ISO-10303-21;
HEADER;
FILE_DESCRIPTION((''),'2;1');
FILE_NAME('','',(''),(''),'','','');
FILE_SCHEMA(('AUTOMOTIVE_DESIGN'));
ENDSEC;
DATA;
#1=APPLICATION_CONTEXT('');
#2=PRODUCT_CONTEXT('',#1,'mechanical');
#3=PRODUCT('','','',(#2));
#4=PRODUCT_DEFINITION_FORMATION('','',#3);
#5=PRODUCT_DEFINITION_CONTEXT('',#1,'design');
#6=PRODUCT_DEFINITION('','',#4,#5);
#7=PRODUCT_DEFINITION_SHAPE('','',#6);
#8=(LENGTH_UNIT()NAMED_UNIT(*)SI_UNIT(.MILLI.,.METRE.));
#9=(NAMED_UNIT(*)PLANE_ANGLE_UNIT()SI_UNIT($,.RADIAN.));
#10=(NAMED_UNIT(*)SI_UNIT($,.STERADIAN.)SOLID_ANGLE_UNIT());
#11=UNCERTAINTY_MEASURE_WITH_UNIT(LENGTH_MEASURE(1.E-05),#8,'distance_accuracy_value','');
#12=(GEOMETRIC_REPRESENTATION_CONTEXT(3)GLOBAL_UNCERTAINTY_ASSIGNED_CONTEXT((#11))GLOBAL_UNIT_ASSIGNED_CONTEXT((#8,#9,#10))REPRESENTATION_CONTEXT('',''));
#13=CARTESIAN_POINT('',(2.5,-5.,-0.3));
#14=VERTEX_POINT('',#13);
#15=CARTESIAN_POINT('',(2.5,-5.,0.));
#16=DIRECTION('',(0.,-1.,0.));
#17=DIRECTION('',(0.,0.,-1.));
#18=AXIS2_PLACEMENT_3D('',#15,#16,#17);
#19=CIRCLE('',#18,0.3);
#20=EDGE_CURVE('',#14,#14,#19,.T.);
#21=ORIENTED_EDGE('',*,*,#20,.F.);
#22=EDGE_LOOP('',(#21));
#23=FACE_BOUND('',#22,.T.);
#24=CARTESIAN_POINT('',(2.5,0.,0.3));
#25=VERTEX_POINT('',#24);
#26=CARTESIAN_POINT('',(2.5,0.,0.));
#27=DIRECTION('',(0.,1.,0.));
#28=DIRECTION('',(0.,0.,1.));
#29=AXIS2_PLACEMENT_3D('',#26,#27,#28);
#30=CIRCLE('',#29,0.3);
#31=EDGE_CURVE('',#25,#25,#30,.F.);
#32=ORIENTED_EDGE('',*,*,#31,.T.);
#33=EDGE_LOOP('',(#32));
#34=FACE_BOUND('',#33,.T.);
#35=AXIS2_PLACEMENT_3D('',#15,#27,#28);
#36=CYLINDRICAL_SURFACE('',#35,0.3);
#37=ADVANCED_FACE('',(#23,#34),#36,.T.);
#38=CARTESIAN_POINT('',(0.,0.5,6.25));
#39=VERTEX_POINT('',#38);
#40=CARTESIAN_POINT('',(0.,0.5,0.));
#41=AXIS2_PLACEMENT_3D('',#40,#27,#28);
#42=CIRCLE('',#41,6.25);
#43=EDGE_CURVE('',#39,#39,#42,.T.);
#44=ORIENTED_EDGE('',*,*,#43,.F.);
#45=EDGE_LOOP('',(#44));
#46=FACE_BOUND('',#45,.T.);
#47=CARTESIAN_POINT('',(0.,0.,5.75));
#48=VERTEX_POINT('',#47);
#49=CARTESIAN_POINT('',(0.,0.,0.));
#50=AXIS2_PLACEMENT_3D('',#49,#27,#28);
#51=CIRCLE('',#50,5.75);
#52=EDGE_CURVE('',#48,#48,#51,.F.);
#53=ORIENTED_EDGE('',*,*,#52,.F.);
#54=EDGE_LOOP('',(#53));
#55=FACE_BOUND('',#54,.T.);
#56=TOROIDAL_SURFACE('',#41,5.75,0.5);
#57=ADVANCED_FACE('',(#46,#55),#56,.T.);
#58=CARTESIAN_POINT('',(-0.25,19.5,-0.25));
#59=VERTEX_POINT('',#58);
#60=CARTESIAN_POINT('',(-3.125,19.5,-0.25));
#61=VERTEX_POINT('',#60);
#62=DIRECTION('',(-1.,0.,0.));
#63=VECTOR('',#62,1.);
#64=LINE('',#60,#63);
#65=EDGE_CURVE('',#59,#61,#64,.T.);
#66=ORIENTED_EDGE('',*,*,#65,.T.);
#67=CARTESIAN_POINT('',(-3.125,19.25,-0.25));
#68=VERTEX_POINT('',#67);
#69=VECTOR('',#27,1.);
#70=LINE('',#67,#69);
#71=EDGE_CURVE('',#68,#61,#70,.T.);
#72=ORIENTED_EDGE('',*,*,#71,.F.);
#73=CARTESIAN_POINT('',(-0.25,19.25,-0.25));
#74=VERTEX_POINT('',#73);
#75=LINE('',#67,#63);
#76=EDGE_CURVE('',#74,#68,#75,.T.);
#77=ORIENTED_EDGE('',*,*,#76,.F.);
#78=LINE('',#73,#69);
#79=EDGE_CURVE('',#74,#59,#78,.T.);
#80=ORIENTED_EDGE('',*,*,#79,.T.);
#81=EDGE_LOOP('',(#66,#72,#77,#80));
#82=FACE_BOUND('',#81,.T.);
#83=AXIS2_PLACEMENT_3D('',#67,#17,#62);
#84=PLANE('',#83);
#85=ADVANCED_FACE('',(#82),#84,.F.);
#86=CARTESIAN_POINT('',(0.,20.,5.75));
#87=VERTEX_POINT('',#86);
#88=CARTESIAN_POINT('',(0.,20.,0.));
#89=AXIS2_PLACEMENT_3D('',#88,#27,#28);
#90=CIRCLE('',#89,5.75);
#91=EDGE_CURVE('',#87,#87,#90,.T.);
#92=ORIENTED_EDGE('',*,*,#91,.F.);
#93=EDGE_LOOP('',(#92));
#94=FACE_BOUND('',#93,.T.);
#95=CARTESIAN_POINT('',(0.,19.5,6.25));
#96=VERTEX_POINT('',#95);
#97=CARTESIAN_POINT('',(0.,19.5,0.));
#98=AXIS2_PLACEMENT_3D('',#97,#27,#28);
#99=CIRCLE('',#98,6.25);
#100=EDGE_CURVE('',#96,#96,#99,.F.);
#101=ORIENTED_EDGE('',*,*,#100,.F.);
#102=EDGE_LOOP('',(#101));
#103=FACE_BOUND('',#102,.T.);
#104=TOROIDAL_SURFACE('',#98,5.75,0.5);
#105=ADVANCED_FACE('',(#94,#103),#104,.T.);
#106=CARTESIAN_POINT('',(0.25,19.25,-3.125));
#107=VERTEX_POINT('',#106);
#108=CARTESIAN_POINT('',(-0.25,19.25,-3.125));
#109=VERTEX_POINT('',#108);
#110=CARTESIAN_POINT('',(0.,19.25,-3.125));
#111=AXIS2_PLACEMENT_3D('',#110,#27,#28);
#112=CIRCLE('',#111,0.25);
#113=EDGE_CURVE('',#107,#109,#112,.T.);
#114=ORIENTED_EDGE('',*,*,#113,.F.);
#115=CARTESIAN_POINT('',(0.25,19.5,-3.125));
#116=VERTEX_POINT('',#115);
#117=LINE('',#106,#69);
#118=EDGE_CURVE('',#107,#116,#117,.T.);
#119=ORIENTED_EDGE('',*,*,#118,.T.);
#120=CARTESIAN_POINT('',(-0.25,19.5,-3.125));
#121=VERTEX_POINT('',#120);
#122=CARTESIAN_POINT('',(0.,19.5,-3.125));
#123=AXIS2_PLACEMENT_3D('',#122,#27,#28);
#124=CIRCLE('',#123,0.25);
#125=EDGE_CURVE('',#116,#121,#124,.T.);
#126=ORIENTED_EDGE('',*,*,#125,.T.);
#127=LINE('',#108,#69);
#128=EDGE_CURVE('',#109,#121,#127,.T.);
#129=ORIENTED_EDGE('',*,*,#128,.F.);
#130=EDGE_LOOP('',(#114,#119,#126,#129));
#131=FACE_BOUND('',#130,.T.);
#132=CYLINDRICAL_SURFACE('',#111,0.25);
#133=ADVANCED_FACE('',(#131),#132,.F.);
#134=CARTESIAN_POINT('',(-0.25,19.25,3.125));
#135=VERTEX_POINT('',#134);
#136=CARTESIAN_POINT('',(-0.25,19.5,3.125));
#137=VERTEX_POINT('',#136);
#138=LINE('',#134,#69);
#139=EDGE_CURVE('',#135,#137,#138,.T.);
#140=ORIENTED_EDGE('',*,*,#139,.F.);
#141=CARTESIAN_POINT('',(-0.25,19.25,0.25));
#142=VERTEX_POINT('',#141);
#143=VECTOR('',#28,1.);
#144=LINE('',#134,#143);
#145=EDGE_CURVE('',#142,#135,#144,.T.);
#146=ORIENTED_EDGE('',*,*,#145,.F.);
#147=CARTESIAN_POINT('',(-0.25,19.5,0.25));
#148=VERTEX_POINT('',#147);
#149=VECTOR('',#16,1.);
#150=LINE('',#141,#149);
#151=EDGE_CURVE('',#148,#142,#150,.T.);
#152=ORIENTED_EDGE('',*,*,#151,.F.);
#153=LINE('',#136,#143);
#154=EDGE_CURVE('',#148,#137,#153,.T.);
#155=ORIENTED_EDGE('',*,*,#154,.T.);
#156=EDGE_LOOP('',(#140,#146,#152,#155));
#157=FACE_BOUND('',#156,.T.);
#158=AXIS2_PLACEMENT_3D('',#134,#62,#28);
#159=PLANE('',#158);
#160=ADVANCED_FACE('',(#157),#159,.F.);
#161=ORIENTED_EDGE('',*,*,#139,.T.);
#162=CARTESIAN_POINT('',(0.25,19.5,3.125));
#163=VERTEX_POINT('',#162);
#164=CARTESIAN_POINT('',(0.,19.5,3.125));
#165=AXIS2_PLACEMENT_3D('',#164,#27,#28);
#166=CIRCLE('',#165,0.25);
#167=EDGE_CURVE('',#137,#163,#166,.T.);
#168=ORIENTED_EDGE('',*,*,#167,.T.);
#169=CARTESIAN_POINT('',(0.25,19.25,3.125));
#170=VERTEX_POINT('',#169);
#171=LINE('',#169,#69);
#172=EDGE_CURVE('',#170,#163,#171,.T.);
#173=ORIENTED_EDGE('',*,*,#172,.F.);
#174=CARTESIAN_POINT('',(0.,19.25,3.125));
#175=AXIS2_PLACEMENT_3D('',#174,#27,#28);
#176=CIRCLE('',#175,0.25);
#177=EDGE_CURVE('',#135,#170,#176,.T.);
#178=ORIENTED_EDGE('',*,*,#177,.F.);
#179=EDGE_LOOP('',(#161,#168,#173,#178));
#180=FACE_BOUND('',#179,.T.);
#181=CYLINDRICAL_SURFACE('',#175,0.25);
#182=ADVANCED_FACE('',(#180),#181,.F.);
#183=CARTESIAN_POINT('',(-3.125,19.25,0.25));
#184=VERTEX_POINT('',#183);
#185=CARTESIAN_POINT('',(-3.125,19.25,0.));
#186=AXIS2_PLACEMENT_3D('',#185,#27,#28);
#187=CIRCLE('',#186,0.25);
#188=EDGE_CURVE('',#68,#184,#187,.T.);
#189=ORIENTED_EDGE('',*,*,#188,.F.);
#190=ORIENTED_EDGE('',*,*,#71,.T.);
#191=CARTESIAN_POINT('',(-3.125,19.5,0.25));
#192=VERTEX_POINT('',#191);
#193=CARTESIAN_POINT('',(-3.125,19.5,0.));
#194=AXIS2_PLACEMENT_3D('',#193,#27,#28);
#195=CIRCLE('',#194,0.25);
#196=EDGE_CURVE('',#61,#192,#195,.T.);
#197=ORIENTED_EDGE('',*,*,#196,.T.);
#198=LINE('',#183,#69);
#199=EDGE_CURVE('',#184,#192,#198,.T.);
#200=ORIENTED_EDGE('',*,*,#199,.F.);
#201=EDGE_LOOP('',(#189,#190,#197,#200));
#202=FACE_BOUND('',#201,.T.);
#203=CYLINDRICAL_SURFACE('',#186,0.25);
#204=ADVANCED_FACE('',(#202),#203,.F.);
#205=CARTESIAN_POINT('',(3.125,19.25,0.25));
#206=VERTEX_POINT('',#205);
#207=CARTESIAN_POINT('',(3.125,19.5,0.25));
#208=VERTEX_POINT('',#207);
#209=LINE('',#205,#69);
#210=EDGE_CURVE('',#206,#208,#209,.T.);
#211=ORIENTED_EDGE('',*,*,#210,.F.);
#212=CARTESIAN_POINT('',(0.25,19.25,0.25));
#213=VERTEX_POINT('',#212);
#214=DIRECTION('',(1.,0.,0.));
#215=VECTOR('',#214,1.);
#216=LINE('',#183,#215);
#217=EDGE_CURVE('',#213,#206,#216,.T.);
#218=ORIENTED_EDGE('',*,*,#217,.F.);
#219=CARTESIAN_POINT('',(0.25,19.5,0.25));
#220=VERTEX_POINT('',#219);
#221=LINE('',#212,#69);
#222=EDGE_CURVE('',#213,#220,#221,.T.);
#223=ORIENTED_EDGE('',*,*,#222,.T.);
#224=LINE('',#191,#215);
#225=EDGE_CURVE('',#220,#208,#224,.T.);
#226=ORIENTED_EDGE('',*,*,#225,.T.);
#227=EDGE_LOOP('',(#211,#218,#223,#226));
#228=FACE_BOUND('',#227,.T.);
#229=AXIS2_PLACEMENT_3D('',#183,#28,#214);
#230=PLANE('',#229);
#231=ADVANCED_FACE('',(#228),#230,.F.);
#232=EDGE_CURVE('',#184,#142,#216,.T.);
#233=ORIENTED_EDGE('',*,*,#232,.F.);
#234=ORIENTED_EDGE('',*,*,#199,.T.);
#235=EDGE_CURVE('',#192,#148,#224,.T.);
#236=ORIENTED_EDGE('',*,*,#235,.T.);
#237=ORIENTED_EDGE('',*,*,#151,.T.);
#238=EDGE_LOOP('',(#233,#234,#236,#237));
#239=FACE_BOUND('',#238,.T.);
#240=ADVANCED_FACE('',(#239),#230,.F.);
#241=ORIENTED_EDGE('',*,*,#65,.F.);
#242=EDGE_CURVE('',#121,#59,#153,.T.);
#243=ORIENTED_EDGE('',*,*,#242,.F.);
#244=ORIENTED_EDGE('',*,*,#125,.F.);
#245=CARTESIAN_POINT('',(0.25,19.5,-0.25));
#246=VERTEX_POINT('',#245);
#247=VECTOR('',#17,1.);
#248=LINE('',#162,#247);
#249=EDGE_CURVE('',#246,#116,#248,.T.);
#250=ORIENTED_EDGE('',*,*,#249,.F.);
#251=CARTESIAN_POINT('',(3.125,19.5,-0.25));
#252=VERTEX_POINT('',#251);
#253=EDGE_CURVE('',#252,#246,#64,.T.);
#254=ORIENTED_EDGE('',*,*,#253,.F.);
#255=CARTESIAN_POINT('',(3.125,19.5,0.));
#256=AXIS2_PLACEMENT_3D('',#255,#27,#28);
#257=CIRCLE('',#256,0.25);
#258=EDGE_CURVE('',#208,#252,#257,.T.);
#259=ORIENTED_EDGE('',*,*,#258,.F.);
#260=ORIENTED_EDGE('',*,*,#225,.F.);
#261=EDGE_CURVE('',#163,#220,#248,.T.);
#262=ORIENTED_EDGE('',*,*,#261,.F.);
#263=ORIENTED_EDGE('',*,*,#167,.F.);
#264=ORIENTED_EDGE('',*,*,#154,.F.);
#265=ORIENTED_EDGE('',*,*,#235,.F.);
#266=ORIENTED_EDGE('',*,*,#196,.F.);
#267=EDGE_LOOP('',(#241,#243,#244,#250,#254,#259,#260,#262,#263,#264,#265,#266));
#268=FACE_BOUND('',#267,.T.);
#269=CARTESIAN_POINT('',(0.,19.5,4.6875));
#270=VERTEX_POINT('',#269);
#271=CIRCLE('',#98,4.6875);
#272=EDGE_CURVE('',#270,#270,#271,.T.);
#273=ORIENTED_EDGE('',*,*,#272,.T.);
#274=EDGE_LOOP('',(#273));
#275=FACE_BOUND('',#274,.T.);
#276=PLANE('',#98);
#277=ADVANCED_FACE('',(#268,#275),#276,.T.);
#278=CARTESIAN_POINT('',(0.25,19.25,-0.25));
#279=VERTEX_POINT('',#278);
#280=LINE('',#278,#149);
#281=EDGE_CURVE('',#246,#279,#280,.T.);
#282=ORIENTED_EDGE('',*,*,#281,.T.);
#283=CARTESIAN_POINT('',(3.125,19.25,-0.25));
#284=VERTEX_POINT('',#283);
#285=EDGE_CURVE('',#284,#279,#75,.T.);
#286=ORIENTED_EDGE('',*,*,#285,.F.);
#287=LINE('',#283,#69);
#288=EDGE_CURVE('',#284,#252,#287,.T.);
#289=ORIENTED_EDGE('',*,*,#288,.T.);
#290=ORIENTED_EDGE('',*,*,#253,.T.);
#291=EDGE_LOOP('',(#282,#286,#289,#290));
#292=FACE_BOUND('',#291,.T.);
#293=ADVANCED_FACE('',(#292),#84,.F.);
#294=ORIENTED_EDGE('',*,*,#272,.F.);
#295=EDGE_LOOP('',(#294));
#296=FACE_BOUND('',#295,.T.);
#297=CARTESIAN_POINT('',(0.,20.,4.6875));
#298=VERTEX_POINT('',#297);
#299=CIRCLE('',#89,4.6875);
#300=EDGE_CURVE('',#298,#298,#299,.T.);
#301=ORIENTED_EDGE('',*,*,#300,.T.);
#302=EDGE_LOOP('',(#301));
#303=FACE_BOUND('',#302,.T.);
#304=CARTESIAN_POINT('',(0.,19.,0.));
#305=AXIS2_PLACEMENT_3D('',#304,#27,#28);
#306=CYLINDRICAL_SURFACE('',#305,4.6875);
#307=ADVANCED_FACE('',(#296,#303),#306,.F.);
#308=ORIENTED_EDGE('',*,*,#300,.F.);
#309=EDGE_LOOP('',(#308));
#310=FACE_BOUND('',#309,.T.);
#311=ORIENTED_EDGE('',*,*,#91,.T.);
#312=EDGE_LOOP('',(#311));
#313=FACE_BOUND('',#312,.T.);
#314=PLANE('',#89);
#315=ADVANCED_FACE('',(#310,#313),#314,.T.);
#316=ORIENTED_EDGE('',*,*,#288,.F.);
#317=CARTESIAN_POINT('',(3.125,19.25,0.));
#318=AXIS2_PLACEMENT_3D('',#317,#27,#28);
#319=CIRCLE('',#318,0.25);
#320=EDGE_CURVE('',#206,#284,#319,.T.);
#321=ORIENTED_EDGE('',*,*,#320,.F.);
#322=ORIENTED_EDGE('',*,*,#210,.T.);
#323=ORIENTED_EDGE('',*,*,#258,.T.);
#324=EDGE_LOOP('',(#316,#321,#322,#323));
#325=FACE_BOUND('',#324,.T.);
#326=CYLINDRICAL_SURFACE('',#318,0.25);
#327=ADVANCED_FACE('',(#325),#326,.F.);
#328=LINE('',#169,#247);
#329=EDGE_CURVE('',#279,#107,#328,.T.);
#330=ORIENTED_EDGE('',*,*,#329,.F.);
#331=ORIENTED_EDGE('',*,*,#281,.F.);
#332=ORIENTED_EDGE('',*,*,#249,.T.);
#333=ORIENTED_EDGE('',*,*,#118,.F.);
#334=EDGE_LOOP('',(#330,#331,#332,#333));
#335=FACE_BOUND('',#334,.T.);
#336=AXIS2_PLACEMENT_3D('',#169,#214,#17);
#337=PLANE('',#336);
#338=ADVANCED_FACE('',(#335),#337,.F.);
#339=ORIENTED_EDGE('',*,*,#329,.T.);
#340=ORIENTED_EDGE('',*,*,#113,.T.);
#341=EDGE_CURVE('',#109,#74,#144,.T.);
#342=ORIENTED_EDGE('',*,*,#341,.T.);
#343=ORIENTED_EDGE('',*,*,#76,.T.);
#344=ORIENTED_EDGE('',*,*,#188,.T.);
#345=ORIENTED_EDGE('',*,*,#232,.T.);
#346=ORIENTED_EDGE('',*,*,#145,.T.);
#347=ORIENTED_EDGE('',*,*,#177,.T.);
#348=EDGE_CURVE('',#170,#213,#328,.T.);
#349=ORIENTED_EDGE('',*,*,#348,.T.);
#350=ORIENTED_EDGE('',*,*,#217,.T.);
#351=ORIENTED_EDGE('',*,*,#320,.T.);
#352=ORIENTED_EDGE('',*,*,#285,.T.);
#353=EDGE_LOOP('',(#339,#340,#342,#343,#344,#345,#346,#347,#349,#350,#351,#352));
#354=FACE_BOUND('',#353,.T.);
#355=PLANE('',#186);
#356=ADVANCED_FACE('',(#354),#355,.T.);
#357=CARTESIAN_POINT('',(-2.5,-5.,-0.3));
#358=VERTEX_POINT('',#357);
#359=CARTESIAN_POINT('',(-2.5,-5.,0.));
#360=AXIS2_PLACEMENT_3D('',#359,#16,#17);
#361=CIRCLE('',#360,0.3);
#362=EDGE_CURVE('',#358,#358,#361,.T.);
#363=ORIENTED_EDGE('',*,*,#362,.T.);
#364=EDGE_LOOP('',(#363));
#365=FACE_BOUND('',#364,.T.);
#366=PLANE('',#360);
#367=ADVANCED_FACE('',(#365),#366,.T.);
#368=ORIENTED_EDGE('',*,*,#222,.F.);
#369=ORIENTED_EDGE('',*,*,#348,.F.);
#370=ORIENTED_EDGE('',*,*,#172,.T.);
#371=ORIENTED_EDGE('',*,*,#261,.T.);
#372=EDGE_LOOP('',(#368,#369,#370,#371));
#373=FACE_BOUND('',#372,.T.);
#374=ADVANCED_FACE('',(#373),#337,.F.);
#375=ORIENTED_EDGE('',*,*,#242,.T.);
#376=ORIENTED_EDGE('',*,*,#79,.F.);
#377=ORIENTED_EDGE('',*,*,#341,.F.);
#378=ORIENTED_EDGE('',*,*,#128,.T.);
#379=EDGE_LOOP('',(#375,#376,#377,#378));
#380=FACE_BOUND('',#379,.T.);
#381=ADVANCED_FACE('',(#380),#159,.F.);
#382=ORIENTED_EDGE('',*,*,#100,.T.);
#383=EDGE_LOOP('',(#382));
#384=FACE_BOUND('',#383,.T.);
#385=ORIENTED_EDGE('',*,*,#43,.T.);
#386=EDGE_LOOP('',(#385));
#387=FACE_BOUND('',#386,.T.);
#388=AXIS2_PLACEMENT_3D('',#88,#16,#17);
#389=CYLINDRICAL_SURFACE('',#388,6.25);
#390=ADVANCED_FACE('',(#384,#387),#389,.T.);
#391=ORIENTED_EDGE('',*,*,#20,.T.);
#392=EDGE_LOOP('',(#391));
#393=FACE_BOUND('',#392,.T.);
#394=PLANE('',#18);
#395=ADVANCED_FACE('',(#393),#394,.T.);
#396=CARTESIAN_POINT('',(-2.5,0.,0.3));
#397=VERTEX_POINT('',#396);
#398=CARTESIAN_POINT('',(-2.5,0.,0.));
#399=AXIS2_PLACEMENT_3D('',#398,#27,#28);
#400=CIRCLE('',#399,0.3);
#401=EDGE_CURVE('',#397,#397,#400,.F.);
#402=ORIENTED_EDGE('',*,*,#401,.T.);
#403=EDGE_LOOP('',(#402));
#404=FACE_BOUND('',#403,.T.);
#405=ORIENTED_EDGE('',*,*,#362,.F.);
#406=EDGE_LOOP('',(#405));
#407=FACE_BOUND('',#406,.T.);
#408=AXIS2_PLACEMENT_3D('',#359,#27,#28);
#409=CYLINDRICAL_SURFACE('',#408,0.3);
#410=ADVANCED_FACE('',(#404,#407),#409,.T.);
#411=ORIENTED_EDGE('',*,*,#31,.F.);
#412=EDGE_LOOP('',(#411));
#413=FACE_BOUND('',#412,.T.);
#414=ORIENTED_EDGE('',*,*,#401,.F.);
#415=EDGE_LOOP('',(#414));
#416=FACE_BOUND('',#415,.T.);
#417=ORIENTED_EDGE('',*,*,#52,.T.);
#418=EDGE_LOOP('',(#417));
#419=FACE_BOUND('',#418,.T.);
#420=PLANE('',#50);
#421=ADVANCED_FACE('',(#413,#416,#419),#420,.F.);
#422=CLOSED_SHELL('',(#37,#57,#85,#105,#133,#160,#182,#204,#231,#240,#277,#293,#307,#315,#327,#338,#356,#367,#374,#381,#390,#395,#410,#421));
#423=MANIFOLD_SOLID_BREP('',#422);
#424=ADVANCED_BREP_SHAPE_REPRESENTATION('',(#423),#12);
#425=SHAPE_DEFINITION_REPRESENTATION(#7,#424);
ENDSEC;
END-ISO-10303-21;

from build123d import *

# Parameters (mm, degrees)
SKETCH_2_R          = 6.25
EXTRUDE_1_DEPTH     = 20
FILLET_1_R          = 0.5
SKETCH_3_R          = 0.3
EXTRUDE_2_DEPTH     = 5
SKETCH_5_R          = 4.6875
CUT_EXTRUDE_1_DEPTH = 1
EXTRUDE_START       = 0.5
SKETCH_6_R          = 4.6875
EXTRUDE_3_DEPTH     = 0.5
CUT_EXTRUDE_2_DEPTH = 0.25
CUT_EXTRUDE_3_DEPTH = 0.25


with BuildPart() as part:
    # 草图2 → 凸台-拉伸1 (new body)
    with BuildSketch(Plane(origin=(0, 0, 0), x_dir=(1, 0, 0), z_dir=(0, 1, 0))):
        with Locations(Location((0, 0, 0), (0, 0, 270))):
            Circle(SKETCH_2_R)
    extrude(amount=EXTRUDE_1_DEPTH)

    # 圆角1
    fillet_1_edges = [part.edges().sort_by_distance(p)[0] for p in [
        (0, 0, -6.25),
        (0, 20, -6.25),
    ]]
    fillet(fillet_1_edges, radius=FILLET_1_R)

    # 草图3 → 凸台-拉伸2 (add)
    with BuildSketch(Plane.XZ):
        with Locations(Location((-2.5, 0, 0), (0, 0, 90))):
            Circle(SKETCH_3_R)
        with Locations(Location((2.5, 0, 0), (0, 0, 90))):
            Circle(SKETCH_3_R)
    extrude(amount=EXTRUDE_2_DEPTH)

    # 草图5 → 切除-拉伸1 (cut)
    with BuildSketch(Plane(origin=(0, 20, 0), x_dir=(1, 0, 0), z_dir=(0, 1, 0))):
        with Locations(Location((0, 0, 0), (0, 0, 270))):
            Circle(SKETCH_5_R)
    extrude(amount=-CUT_EXTRUDE_1_DEPTH, mode=Mode.SUBTRACT)

    # 草图6 → 凸台-拉伸3 (add)
    with BuildSketch(Plane(origin=(0, 19, 0), x_dir=(1, 0, 0), z_dir=(0, 1, 0)).offset(EXTRUDE_START)):
        with Locations(Location((0, 0, 0), (0, 0, 270))):
            Circle(SKETCH_6_R)
    extrude(amount=-EXTRUDE_3_DEPTH)

    # 草图7 → 切除-拉伸2 (cut)
    with BuildSketch(Plane(origin=(0, 19.5, 0), x_dir=(1, 0, 0), z_dir=(0, 1, 0))):
        with BuildLine():
            Line((-3.125, 0.25), (3.125, 0.25))
            ThreePointArc((3.125, 0.25), (3.375, 0), (3.125, -0.25))
            Line((3.125, -0.25), (-3.125, -0.25))
            ThreePointArc((-3.125, -0.25), (-3.375, 0), (-3.125, 0.25))
        make_face()
    extrude(amount=-CUT_EXTRUDE_2_DEPTH, mode=Mode.SUBTRACT)

    # 草图8 → 切除-拉伸3 (cut)
    with BuildSketch(Plane(origin=(0, 19.5, 0), x_dir=(1, 0, 0), z_dir=(0, 1, 0))):
        with BuildLine():
            Line((-0.25, -3.125), (-0.25, 3.125))
            ThreePointArc((-0.25, 3.125), (0, 3.375), (0.25, 3.125))
            Line((0.25, 3.125), (0.25, -3.125))
            ThreePointArc((0.25, -3.125), (0, -3.375), (-0.25, -3.125))
        make_face()
    extrude(amount=-CUT_EXTRUDE_3_DEPTH, mode=Mode.SUBTRACT)


solid = part.part
